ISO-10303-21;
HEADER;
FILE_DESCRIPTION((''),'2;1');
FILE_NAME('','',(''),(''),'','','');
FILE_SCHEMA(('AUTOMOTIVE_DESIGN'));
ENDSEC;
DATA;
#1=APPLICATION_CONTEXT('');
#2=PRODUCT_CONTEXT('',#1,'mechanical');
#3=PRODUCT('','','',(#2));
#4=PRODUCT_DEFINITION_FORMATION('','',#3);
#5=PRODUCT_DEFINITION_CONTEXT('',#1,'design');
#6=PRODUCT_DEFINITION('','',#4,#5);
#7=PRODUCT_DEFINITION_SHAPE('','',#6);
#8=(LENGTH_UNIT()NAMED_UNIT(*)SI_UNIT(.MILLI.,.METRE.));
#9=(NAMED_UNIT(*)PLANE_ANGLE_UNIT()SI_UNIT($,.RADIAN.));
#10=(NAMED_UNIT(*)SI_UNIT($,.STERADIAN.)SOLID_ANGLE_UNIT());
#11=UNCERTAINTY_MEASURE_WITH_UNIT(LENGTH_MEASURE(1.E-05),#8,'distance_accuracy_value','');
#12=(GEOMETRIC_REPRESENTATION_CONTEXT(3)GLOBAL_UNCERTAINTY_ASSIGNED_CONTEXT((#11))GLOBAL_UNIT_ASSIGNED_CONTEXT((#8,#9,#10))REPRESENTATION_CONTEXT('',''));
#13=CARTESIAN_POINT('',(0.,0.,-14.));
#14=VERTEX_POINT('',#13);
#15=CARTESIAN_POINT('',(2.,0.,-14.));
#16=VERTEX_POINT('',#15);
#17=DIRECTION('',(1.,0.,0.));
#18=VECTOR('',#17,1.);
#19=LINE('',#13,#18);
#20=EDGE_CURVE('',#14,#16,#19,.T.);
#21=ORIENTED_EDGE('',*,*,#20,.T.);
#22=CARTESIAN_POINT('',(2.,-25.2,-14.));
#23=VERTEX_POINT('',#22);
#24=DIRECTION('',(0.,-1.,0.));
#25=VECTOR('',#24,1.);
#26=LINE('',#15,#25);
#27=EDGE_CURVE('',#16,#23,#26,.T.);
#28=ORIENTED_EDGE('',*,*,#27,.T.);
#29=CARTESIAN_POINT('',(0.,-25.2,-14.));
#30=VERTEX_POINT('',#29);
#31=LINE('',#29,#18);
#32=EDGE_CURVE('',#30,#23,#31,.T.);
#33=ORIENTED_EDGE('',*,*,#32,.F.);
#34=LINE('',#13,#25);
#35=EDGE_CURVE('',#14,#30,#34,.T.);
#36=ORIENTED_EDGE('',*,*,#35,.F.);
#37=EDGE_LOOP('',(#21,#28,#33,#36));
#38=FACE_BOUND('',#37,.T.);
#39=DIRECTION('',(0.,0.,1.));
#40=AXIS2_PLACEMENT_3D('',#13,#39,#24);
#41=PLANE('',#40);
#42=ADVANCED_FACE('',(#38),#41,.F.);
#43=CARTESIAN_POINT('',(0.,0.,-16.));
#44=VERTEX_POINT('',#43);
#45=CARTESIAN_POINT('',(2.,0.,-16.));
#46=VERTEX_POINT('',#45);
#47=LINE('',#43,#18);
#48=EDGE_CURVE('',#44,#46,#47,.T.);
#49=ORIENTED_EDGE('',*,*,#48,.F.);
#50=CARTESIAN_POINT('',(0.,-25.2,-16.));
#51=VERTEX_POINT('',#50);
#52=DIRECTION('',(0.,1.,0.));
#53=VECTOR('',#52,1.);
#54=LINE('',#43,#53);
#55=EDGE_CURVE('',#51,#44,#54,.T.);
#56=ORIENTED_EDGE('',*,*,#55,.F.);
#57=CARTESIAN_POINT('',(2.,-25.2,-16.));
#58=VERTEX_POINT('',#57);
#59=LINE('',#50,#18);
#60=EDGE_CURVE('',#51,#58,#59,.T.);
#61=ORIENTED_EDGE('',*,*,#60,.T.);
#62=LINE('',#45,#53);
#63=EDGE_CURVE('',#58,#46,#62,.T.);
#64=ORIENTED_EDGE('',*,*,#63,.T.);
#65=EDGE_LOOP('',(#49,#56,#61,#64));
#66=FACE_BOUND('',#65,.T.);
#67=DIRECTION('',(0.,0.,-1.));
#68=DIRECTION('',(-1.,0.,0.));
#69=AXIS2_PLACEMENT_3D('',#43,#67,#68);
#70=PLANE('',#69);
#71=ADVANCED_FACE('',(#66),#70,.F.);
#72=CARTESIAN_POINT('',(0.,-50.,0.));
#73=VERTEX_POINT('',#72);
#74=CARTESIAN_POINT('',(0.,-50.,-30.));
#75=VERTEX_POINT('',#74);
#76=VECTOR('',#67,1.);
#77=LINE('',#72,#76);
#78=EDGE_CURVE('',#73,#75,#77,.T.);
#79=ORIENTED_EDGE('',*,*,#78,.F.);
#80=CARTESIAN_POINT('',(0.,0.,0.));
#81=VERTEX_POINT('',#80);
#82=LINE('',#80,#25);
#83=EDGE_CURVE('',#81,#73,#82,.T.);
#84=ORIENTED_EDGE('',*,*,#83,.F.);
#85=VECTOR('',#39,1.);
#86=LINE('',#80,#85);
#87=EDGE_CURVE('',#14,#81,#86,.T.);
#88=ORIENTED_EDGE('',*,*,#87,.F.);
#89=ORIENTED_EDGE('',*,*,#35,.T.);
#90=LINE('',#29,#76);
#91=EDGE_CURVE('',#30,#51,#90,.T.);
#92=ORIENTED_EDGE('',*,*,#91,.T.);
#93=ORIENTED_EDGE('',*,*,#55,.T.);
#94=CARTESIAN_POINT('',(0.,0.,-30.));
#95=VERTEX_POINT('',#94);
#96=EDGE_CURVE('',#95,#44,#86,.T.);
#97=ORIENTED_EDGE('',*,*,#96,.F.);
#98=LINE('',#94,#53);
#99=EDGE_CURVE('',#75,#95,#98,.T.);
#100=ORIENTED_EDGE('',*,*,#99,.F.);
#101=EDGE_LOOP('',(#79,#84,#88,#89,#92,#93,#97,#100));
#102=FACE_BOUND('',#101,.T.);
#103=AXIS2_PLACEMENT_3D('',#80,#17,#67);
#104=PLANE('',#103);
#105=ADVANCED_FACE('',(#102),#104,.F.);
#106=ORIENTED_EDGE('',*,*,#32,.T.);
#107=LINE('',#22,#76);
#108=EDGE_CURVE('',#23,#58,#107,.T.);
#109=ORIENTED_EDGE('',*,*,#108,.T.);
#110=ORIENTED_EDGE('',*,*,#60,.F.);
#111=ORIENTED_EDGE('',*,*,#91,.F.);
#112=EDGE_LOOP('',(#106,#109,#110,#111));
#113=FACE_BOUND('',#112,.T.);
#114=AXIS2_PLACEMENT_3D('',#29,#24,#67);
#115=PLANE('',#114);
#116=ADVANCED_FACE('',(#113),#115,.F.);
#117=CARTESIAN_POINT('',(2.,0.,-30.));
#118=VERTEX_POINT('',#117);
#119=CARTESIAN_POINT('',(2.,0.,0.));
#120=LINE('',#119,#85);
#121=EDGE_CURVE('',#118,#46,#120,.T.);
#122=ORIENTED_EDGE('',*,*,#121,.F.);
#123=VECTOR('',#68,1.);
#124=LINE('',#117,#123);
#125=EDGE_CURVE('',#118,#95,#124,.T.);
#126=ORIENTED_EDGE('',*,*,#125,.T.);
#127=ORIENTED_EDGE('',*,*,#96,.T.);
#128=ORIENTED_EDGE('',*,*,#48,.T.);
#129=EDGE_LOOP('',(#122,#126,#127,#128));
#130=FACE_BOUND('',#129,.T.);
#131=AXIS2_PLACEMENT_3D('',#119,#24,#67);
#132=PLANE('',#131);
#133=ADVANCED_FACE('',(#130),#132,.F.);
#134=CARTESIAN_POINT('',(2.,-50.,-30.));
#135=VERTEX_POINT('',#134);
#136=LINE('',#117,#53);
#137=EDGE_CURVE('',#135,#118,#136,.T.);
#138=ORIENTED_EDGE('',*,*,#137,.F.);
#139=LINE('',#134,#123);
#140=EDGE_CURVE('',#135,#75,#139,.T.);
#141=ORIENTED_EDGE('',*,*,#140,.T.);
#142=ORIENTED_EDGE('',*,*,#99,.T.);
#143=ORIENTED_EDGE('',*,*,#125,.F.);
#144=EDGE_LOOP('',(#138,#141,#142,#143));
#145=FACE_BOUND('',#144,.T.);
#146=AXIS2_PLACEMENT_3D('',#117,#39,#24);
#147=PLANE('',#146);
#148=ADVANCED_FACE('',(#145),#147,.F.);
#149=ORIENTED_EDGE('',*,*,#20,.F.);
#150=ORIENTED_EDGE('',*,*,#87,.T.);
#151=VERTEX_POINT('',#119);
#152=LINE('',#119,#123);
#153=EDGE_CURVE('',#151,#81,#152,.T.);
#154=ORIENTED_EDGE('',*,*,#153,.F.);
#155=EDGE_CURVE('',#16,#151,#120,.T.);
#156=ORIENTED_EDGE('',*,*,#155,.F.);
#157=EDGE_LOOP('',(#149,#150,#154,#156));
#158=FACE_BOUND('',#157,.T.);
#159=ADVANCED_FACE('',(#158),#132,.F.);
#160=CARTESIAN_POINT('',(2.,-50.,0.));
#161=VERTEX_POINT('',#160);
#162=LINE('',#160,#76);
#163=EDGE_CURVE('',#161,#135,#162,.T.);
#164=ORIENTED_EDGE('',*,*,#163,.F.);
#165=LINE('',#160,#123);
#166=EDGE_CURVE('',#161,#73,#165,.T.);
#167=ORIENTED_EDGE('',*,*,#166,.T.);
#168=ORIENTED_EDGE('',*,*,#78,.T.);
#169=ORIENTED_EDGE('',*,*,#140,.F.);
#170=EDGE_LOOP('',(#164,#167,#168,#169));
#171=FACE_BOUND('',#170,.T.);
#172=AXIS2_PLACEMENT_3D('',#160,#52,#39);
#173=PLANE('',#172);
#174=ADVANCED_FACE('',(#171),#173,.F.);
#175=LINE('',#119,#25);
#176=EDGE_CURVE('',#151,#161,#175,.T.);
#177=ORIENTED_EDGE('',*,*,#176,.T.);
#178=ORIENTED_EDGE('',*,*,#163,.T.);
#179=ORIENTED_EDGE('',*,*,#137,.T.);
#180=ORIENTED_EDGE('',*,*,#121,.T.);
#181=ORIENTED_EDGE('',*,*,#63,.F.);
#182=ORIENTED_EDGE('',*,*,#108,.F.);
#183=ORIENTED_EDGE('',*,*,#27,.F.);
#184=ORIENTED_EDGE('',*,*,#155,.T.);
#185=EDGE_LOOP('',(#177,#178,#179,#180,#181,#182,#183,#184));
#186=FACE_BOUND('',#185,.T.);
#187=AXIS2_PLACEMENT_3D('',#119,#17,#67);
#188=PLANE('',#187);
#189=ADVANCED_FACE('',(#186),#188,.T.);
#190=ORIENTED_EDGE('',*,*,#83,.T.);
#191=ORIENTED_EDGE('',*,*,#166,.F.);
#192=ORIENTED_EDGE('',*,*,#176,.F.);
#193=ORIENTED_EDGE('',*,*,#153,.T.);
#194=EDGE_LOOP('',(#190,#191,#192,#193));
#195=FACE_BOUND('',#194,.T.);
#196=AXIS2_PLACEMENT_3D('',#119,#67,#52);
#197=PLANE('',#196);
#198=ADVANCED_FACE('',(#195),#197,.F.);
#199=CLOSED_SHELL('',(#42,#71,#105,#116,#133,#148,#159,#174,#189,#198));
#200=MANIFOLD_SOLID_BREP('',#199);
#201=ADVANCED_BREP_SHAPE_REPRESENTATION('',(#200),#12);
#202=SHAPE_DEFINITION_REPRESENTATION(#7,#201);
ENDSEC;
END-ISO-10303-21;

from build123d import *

# Parameters (mm, degrees)
SKETCH_1_W          = 30
SKETCH_1_H          = 50
EXTRUDE_1_DEPTH     = 2
SKETCH_2_W          = 2
SKETCH_2_H          = 25.2
CUT_EXTRUDE_1_DEPTH = 2


with BuildPart() as part:
    # 草图1 → 凸台-拉伸1 (new body)
    with BuildSketch(Plane(origin=(0, 0, 0), x_dir=(0, 0, -1), z_dir=(1, 0, 0))):
        with Locations((15, -25)):
            Rectangle(SKETCH_1_W, SKETCH_1_H)
    extrude(amount=EXTRUDE_1_DEPTH)

    # 草图2 → 切除-拉伸1 (cut)
    with BuildSketch(Plane(origin=(2, 0, 0), x_dir=(0, 0, -1), z_dir=(1, 0, 0))):
        with Locations((15, -12.6)):
            Rectangle(SKETCH_2_W, SKETCH_2_H)
    extrude(amount=-CUT_EXTRUDE_1_DEPTH, mode=Mode.SUBTRACT)


solid = part.part
